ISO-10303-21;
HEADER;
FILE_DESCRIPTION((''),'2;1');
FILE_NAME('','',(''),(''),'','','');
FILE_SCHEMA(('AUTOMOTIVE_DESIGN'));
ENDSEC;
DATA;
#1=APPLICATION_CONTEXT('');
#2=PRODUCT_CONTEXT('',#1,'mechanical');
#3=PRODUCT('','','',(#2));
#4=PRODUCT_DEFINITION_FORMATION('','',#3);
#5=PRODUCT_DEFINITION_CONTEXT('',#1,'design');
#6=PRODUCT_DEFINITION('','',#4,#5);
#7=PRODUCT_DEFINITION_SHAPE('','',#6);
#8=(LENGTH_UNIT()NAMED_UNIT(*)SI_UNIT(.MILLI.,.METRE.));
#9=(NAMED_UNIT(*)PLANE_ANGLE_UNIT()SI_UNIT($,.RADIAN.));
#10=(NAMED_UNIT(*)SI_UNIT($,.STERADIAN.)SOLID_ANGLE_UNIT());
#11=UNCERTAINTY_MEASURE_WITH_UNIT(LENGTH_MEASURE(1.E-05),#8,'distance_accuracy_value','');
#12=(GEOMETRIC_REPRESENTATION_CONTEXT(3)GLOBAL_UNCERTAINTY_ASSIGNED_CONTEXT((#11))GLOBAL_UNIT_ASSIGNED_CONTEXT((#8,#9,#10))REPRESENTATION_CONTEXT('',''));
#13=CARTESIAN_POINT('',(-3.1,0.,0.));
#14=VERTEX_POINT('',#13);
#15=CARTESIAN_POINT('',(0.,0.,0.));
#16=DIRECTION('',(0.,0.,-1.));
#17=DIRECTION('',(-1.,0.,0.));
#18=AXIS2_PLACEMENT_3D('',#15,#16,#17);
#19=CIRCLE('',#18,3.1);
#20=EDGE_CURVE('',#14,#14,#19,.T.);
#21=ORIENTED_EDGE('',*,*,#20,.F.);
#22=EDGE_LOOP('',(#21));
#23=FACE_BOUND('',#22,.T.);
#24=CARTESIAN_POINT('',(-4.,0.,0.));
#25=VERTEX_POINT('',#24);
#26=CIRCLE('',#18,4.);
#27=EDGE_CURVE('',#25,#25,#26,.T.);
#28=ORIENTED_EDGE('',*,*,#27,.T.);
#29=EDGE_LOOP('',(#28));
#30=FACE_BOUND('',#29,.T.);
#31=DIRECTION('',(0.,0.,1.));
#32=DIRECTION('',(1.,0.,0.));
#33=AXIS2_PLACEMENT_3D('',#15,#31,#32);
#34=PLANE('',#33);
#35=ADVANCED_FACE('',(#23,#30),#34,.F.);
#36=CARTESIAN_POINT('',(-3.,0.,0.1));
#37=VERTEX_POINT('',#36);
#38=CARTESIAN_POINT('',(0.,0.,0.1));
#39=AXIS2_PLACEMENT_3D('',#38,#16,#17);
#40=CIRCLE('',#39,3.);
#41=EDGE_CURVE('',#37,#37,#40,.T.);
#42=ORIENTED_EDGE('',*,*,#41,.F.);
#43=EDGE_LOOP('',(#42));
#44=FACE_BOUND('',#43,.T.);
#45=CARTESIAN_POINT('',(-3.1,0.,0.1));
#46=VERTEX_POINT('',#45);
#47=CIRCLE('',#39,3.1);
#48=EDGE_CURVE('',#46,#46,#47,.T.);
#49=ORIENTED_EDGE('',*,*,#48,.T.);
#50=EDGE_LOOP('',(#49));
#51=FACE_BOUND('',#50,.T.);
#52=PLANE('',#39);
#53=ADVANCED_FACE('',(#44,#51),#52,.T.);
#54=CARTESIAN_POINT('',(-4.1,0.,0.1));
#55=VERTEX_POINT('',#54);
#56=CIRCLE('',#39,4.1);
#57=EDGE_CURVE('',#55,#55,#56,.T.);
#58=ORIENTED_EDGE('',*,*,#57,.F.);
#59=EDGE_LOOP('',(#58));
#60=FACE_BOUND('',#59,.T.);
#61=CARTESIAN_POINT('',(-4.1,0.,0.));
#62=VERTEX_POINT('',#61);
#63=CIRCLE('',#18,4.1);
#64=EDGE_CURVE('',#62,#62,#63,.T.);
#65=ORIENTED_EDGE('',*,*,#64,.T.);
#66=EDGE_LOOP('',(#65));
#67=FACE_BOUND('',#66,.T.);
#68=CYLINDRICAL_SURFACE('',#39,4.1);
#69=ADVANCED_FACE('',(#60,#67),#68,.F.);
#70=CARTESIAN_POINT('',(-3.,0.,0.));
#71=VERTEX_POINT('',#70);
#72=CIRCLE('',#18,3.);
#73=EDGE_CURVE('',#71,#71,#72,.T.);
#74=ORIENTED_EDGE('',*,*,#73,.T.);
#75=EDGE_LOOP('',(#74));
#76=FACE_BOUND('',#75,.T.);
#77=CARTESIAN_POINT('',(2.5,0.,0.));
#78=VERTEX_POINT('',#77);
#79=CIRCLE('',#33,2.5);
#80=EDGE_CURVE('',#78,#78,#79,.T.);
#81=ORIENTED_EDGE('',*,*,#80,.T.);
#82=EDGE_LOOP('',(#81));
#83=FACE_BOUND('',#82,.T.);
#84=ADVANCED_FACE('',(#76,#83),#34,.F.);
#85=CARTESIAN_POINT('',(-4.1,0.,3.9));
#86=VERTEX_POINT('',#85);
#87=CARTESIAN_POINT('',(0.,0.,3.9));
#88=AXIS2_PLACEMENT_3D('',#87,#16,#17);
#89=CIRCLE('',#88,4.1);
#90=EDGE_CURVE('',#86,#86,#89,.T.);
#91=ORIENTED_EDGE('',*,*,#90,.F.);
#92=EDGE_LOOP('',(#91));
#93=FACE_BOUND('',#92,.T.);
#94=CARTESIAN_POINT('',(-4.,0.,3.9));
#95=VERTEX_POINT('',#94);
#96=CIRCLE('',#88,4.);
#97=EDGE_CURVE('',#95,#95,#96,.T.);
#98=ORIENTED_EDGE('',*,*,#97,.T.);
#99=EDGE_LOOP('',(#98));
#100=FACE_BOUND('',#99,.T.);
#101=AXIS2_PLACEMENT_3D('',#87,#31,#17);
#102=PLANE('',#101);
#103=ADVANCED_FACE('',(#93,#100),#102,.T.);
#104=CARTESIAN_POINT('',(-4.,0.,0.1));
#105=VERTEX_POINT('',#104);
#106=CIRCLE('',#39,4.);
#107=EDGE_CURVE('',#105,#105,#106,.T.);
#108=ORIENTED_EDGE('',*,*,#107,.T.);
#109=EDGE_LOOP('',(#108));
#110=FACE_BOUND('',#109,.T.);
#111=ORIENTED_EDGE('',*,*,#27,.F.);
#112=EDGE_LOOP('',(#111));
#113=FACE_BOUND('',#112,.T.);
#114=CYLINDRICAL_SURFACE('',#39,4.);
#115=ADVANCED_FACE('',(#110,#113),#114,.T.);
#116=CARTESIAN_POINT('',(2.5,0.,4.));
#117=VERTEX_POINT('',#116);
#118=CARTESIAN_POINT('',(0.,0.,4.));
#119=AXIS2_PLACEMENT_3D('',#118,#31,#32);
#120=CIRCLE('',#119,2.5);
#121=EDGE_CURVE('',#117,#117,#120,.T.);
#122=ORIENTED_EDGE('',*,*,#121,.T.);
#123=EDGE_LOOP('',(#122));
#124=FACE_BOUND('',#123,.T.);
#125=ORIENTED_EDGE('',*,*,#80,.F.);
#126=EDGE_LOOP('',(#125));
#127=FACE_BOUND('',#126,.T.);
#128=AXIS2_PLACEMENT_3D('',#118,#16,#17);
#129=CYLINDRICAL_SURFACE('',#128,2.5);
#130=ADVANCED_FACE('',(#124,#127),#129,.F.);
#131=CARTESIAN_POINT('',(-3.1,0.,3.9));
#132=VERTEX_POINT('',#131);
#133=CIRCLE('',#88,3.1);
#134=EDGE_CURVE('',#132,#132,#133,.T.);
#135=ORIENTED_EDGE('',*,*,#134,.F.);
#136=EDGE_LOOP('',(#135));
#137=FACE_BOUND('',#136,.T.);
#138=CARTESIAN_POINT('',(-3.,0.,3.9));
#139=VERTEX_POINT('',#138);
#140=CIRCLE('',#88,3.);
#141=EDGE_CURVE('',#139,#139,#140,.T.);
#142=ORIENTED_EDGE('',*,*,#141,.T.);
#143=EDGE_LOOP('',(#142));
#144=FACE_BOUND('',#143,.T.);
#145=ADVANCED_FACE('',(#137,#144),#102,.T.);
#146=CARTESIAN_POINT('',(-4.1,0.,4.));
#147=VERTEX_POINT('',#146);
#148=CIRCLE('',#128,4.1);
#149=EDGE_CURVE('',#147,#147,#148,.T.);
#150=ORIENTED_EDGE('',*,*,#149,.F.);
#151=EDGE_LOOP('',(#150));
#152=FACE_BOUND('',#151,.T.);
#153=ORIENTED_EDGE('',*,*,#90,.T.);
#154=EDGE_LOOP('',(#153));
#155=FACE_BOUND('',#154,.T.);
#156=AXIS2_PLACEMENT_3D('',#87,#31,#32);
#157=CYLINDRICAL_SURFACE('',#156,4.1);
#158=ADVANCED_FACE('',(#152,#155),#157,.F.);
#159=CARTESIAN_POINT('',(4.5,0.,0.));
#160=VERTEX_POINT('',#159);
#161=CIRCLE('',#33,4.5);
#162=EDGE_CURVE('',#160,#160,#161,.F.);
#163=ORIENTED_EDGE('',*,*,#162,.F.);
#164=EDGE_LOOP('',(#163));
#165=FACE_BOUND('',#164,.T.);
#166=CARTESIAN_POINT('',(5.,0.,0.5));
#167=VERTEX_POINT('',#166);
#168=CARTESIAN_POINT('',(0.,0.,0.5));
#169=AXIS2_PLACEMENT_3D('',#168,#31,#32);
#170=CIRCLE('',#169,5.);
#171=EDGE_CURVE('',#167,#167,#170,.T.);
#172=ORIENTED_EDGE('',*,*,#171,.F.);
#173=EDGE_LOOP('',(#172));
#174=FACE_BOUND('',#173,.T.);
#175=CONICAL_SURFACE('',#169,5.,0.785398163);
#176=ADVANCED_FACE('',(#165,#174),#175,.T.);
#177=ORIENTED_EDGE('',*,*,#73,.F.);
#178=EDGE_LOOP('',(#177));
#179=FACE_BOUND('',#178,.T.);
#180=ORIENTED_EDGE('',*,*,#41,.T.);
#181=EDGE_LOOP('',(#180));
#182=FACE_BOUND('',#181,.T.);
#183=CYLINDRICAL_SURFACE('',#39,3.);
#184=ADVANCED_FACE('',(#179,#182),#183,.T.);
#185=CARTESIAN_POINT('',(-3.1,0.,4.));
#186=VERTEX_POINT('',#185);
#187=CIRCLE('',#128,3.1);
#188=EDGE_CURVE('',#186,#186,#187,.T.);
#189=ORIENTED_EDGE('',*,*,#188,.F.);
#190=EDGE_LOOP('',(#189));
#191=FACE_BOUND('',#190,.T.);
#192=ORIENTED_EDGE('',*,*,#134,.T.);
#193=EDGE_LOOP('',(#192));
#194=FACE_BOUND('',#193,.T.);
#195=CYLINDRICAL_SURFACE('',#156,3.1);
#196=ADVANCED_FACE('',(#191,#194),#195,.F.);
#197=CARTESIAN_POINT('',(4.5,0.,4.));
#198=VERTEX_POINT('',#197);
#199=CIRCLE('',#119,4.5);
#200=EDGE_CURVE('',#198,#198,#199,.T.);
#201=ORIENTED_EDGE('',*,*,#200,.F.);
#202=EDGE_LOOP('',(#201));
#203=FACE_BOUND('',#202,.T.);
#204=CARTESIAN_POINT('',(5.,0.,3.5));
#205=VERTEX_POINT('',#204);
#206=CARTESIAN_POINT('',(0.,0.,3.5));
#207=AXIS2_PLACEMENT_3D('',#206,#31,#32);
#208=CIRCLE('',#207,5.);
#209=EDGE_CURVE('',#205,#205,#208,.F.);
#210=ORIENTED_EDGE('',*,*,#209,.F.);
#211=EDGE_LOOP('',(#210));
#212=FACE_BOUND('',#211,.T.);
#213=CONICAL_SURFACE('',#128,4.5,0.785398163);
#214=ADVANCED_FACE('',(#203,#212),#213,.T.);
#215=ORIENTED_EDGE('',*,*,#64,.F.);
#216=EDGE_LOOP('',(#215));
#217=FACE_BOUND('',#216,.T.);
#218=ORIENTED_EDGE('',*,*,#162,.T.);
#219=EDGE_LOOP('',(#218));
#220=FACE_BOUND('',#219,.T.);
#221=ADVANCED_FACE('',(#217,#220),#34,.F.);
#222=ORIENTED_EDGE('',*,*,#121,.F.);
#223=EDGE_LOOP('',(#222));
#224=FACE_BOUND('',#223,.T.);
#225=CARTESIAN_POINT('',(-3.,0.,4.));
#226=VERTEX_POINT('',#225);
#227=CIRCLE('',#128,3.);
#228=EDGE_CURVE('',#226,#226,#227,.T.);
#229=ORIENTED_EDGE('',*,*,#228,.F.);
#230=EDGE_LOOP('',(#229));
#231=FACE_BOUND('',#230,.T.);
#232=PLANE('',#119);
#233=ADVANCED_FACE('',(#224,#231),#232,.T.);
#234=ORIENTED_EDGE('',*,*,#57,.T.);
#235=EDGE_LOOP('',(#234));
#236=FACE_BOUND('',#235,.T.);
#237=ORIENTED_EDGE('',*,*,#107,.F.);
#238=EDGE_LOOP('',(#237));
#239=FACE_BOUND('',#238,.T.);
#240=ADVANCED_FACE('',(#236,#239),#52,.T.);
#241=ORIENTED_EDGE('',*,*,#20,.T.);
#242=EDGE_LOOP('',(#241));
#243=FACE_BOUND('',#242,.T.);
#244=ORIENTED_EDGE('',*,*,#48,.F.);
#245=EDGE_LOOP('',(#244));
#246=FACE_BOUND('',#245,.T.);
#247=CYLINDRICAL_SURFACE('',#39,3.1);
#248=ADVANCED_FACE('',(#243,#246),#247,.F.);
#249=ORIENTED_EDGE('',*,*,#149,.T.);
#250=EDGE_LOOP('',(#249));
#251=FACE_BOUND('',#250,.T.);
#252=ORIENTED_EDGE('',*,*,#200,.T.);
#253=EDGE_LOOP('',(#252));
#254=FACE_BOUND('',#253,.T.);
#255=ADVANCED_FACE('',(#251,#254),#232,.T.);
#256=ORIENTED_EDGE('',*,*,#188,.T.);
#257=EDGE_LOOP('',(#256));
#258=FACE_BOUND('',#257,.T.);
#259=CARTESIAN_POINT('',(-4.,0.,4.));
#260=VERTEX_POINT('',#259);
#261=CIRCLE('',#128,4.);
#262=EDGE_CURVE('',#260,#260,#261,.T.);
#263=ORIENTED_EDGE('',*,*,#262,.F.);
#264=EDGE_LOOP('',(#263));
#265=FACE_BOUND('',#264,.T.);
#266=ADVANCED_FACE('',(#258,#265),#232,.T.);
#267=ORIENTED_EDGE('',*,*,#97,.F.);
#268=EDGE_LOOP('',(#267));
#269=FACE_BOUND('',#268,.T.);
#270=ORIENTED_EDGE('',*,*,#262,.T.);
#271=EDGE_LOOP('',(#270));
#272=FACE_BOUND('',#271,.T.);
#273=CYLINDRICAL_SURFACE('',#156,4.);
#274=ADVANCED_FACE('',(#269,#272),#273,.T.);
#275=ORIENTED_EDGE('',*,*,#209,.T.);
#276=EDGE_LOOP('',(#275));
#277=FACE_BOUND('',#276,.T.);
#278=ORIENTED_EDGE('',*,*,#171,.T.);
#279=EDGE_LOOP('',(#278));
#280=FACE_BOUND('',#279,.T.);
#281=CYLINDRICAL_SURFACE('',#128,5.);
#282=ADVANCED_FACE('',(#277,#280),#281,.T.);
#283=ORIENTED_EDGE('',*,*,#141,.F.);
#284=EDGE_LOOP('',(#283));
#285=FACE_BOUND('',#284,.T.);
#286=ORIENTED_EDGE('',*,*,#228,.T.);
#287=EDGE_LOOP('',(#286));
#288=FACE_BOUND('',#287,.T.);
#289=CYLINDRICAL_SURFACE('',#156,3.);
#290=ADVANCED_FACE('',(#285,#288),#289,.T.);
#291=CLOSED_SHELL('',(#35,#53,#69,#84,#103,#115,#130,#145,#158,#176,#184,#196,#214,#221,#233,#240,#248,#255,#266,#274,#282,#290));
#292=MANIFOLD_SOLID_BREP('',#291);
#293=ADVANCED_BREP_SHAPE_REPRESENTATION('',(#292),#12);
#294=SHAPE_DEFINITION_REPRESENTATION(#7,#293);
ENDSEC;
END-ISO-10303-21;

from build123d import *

# Parameters (mm, degrees)
SKETCH1_R           = 5
SKETCH1_R_2         = 2.5
BOSS_EXTRUDE1_DEPTH = 4
CHAMFER1_SIZE       = 0.5
SKETCH2_R           = 4.1
SKETCH2_R_2         = 4
SKETCH2_R_3         = 3.1
SKETCH2_R_4         = 3
CUT_EXTRUDE1_DEPTH  = 0.1


with BuildPart() as part:
    # Sketch1 → Boss-Extrude1 (new body)
    with BuildSketch(Plane.XY):
        Circle(SKETCH1_R)
        Circle(SKETCH1_R_2, mode=Mode.SUBTRACT)
    extrude(amount=BOSS_EXTRUDE1_DEPTH)

    # Chamfer1
    chamfer1_edges = [part.edges().sort_by_distance(p)[0] for p in [
        (-5, 0, 0),
        (-5, 0, 4),
    ]]
    chamfer(chamfer1_edges, length=CHAMFER1_SIZE)

    # Sketch2 → Cut-Extrude1 (cut)
    # profile 1 of 2: a face of its own
    with BuildSketch(Plane(origin=(0, 0, 0), x_dir=(-1, 0, 0), z_dir=(0, 0, -1))):
        Circle(SKETCH2_R)
        Circle(SKETCH2_R_2, mode=Mode.SUBTRACT)
    # profile 2 of 2: a face of its own
    with BuildSketch(Plane(origin=(0, 0, 0), x_dir=(-1, 0, 0), z_dir=(0, 0, -1))):
        Circle(SKETCH2_R_3)
        Circle(SKETCH2_R_4, mode=Mode.SUBTRACT)
    cut_extrude1 = extrude(amount=-CUT_EXTRUDE1_DEPTH, mode=Mode.SUBTRACT)

    # Mirror1: Cut-Extrude1 across plane
    add(cut_extrude1.mirror(Plane(origin=(0, 0, 2), x_dir=(1, 0, 0), z_dir=(0, 0, -1))), mode=Mode.SUBTRACT)


solid = part.part
